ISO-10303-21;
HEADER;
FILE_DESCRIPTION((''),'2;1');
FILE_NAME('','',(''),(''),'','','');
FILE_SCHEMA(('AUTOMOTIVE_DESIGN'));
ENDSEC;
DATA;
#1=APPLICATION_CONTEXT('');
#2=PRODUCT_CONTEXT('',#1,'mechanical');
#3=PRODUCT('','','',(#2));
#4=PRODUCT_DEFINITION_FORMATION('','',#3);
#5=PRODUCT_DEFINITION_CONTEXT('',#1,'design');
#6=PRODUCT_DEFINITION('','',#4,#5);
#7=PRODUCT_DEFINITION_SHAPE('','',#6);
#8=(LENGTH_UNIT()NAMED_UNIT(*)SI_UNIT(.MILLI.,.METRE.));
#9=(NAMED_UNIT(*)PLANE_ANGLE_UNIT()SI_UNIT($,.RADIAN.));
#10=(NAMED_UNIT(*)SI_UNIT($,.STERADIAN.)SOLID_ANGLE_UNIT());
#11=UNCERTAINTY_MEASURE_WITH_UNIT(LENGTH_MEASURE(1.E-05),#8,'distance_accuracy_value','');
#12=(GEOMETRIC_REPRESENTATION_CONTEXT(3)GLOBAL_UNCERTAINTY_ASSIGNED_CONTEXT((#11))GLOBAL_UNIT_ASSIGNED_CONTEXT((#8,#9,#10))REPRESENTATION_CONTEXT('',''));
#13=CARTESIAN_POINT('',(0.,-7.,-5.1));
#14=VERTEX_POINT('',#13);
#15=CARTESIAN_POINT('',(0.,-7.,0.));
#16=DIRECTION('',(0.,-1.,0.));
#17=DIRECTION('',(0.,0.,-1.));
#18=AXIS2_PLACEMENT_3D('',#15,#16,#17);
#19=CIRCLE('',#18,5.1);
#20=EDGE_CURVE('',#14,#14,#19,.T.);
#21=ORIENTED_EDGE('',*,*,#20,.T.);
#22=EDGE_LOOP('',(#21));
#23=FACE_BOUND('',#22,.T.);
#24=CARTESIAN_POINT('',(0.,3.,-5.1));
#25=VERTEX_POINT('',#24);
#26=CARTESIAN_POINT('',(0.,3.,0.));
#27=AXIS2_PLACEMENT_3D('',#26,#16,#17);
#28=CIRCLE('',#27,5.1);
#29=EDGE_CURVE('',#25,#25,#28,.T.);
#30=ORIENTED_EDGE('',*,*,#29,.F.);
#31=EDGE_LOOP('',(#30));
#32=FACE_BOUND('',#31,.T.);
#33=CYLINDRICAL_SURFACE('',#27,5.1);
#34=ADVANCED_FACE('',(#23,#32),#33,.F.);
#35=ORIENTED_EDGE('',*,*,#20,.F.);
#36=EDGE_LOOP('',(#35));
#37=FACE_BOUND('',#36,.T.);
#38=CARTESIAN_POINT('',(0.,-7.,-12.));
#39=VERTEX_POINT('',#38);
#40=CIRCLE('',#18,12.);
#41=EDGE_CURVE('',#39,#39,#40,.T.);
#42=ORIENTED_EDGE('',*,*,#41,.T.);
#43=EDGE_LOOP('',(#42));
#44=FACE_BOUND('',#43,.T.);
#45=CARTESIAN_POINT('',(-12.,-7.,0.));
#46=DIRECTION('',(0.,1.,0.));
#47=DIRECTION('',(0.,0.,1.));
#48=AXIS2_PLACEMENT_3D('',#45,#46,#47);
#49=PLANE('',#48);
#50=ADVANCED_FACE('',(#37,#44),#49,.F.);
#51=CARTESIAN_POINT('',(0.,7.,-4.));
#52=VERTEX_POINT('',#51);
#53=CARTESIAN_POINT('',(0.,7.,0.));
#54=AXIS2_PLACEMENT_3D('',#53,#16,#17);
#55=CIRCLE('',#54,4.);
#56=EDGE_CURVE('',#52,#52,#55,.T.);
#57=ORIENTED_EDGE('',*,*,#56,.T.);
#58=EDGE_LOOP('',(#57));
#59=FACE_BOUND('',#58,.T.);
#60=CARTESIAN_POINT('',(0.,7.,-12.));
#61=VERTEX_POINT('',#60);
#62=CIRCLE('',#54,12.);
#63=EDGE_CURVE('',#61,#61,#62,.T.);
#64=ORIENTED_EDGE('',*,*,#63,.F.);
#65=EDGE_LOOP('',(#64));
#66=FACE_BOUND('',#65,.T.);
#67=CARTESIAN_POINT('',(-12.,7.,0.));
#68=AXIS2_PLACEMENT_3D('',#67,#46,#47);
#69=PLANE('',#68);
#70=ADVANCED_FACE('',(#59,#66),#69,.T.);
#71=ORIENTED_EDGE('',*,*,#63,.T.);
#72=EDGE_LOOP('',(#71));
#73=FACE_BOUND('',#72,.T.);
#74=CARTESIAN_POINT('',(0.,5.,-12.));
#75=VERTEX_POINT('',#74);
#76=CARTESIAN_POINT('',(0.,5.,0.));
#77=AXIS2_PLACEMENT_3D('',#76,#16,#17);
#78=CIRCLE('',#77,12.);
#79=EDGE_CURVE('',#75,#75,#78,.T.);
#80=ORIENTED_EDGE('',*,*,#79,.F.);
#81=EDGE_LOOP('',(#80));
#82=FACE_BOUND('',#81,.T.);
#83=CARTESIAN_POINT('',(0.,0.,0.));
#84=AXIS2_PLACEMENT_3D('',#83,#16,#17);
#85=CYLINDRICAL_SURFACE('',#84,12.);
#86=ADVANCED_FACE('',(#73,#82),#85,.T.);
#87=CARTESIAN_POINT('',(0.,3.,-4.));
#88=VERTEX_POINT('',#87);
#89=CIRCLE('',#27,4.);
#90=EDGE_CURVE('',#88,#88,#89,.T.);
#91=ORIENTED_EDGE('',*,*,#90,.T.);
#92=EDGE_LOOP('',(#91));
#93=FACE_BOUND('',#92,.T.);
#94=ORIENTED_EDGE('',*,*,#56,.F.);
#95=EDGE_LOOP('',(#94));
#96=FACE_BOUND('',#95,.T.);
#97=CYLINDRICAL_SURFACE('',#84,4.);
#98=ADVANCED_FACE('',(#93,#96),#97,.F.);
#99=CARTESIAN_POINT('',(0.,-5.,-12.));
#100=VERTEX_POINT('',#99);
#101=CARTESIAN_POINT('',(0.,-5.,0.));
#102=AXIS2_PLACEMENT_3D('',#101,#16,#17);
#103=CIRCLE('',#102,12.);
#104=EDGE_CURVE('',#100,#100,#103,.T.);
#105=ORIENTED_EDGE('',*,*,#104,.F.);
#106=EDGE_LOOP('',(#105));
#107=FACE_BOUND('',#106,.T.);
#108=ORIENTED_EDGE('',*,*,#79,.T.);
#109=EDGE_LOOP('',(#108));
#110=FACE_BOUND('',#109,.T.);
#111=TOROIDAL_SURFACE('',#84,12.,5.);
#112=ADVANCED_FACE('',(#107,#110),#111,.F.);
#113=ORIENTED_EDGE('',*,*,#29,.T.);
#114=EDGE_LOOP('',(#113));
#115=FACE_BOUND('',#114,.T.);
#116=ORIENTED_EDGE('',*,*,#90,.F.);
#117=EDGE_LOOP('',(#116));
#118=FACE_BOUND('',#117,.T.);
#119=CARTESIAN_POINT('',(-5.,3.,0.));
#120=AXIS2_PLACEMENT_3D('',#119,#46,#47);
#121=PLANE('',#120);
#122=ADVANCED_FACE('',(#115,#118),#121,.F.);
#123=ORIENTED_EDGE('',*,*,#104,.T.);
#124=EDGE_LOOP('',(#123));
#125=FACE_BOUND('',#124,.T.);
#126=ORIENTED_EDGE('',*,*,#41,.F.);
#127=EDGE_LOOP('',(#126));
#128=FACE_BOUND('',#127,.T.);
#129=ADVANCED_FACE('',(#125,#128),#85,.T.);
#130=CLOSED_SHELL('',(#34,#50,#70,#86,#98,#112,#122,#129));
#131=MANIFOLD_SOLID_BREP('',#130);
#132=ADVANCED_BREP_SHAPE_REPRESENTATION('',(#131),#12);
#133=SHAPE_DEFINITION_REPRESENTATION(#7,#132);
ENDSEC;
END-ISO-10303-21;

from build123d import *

# Parameters (mm, degrees)
SKETCH_9_W          = 1
SKETCH_9_H          = 4
SKETCH_10_R         = 5.1
CUT_EXTRUDE_1_DEPTH = 10


with BuildPart() as part:
    # 草图7 → 旋转1 (revolve)
    with BuildSketch(Plane.XY, mode=Mode.PRIVATE) as revolve_1_sk:
        with BuildLine():
            Line((-5, 4), (-5, -4))
            Line((-5, -4), (-5, -7))
            Line((-5, -7), (-12, -7))
            Line((-12, -7), (-12, -5))
            ThreePointArc((-12, -5), (-7, 0), (-12, 5))
            Line((-12, 5), (-12, 7))
            Line((-12, 7), (-5, 7))
            Line((-5, 7), (-5, 4))
        make_face()
    revolve(revolve_1_sk.sketch.rotate(Axis((0, 0, 0), (0, 1, 0)), 270), axis=Axis((0, 0, 0), (0, 1, 0)))

    # 草图9 → 旋转2 (revolve)
    with BuildSketch(Plane.XY, mode=Mode.PRIVATE) as revolve_2_sk:
        with Locations((-4.5, 5)):
            Rectangle(SKETCH_9_W, SKETCH_9_H)
        with Locations((-4.5, -5)):
            Rectangle(SKETCH_9_W, SKETCH_9_H)
    revolve(revolve_2_sk.sketch.rotate(Axis((0, 0, 0), (0, 1, 0)), 270), axis=Axis((0, 0, 0), (0, 1, 0)))

    # 草图10 → 切除-拉伸1 (cut)
    with BuildSketch(Plane.XZ.offset(7)):
        with Locations(Location((0, 0, 0), (0, 0, 270))):
            Circle(SKETCH_10_R)
    extrude(amount=-CUT_EXTRUDE_1_DEPTH, mode=Mode.SUBTRACT)


solid = part.part
